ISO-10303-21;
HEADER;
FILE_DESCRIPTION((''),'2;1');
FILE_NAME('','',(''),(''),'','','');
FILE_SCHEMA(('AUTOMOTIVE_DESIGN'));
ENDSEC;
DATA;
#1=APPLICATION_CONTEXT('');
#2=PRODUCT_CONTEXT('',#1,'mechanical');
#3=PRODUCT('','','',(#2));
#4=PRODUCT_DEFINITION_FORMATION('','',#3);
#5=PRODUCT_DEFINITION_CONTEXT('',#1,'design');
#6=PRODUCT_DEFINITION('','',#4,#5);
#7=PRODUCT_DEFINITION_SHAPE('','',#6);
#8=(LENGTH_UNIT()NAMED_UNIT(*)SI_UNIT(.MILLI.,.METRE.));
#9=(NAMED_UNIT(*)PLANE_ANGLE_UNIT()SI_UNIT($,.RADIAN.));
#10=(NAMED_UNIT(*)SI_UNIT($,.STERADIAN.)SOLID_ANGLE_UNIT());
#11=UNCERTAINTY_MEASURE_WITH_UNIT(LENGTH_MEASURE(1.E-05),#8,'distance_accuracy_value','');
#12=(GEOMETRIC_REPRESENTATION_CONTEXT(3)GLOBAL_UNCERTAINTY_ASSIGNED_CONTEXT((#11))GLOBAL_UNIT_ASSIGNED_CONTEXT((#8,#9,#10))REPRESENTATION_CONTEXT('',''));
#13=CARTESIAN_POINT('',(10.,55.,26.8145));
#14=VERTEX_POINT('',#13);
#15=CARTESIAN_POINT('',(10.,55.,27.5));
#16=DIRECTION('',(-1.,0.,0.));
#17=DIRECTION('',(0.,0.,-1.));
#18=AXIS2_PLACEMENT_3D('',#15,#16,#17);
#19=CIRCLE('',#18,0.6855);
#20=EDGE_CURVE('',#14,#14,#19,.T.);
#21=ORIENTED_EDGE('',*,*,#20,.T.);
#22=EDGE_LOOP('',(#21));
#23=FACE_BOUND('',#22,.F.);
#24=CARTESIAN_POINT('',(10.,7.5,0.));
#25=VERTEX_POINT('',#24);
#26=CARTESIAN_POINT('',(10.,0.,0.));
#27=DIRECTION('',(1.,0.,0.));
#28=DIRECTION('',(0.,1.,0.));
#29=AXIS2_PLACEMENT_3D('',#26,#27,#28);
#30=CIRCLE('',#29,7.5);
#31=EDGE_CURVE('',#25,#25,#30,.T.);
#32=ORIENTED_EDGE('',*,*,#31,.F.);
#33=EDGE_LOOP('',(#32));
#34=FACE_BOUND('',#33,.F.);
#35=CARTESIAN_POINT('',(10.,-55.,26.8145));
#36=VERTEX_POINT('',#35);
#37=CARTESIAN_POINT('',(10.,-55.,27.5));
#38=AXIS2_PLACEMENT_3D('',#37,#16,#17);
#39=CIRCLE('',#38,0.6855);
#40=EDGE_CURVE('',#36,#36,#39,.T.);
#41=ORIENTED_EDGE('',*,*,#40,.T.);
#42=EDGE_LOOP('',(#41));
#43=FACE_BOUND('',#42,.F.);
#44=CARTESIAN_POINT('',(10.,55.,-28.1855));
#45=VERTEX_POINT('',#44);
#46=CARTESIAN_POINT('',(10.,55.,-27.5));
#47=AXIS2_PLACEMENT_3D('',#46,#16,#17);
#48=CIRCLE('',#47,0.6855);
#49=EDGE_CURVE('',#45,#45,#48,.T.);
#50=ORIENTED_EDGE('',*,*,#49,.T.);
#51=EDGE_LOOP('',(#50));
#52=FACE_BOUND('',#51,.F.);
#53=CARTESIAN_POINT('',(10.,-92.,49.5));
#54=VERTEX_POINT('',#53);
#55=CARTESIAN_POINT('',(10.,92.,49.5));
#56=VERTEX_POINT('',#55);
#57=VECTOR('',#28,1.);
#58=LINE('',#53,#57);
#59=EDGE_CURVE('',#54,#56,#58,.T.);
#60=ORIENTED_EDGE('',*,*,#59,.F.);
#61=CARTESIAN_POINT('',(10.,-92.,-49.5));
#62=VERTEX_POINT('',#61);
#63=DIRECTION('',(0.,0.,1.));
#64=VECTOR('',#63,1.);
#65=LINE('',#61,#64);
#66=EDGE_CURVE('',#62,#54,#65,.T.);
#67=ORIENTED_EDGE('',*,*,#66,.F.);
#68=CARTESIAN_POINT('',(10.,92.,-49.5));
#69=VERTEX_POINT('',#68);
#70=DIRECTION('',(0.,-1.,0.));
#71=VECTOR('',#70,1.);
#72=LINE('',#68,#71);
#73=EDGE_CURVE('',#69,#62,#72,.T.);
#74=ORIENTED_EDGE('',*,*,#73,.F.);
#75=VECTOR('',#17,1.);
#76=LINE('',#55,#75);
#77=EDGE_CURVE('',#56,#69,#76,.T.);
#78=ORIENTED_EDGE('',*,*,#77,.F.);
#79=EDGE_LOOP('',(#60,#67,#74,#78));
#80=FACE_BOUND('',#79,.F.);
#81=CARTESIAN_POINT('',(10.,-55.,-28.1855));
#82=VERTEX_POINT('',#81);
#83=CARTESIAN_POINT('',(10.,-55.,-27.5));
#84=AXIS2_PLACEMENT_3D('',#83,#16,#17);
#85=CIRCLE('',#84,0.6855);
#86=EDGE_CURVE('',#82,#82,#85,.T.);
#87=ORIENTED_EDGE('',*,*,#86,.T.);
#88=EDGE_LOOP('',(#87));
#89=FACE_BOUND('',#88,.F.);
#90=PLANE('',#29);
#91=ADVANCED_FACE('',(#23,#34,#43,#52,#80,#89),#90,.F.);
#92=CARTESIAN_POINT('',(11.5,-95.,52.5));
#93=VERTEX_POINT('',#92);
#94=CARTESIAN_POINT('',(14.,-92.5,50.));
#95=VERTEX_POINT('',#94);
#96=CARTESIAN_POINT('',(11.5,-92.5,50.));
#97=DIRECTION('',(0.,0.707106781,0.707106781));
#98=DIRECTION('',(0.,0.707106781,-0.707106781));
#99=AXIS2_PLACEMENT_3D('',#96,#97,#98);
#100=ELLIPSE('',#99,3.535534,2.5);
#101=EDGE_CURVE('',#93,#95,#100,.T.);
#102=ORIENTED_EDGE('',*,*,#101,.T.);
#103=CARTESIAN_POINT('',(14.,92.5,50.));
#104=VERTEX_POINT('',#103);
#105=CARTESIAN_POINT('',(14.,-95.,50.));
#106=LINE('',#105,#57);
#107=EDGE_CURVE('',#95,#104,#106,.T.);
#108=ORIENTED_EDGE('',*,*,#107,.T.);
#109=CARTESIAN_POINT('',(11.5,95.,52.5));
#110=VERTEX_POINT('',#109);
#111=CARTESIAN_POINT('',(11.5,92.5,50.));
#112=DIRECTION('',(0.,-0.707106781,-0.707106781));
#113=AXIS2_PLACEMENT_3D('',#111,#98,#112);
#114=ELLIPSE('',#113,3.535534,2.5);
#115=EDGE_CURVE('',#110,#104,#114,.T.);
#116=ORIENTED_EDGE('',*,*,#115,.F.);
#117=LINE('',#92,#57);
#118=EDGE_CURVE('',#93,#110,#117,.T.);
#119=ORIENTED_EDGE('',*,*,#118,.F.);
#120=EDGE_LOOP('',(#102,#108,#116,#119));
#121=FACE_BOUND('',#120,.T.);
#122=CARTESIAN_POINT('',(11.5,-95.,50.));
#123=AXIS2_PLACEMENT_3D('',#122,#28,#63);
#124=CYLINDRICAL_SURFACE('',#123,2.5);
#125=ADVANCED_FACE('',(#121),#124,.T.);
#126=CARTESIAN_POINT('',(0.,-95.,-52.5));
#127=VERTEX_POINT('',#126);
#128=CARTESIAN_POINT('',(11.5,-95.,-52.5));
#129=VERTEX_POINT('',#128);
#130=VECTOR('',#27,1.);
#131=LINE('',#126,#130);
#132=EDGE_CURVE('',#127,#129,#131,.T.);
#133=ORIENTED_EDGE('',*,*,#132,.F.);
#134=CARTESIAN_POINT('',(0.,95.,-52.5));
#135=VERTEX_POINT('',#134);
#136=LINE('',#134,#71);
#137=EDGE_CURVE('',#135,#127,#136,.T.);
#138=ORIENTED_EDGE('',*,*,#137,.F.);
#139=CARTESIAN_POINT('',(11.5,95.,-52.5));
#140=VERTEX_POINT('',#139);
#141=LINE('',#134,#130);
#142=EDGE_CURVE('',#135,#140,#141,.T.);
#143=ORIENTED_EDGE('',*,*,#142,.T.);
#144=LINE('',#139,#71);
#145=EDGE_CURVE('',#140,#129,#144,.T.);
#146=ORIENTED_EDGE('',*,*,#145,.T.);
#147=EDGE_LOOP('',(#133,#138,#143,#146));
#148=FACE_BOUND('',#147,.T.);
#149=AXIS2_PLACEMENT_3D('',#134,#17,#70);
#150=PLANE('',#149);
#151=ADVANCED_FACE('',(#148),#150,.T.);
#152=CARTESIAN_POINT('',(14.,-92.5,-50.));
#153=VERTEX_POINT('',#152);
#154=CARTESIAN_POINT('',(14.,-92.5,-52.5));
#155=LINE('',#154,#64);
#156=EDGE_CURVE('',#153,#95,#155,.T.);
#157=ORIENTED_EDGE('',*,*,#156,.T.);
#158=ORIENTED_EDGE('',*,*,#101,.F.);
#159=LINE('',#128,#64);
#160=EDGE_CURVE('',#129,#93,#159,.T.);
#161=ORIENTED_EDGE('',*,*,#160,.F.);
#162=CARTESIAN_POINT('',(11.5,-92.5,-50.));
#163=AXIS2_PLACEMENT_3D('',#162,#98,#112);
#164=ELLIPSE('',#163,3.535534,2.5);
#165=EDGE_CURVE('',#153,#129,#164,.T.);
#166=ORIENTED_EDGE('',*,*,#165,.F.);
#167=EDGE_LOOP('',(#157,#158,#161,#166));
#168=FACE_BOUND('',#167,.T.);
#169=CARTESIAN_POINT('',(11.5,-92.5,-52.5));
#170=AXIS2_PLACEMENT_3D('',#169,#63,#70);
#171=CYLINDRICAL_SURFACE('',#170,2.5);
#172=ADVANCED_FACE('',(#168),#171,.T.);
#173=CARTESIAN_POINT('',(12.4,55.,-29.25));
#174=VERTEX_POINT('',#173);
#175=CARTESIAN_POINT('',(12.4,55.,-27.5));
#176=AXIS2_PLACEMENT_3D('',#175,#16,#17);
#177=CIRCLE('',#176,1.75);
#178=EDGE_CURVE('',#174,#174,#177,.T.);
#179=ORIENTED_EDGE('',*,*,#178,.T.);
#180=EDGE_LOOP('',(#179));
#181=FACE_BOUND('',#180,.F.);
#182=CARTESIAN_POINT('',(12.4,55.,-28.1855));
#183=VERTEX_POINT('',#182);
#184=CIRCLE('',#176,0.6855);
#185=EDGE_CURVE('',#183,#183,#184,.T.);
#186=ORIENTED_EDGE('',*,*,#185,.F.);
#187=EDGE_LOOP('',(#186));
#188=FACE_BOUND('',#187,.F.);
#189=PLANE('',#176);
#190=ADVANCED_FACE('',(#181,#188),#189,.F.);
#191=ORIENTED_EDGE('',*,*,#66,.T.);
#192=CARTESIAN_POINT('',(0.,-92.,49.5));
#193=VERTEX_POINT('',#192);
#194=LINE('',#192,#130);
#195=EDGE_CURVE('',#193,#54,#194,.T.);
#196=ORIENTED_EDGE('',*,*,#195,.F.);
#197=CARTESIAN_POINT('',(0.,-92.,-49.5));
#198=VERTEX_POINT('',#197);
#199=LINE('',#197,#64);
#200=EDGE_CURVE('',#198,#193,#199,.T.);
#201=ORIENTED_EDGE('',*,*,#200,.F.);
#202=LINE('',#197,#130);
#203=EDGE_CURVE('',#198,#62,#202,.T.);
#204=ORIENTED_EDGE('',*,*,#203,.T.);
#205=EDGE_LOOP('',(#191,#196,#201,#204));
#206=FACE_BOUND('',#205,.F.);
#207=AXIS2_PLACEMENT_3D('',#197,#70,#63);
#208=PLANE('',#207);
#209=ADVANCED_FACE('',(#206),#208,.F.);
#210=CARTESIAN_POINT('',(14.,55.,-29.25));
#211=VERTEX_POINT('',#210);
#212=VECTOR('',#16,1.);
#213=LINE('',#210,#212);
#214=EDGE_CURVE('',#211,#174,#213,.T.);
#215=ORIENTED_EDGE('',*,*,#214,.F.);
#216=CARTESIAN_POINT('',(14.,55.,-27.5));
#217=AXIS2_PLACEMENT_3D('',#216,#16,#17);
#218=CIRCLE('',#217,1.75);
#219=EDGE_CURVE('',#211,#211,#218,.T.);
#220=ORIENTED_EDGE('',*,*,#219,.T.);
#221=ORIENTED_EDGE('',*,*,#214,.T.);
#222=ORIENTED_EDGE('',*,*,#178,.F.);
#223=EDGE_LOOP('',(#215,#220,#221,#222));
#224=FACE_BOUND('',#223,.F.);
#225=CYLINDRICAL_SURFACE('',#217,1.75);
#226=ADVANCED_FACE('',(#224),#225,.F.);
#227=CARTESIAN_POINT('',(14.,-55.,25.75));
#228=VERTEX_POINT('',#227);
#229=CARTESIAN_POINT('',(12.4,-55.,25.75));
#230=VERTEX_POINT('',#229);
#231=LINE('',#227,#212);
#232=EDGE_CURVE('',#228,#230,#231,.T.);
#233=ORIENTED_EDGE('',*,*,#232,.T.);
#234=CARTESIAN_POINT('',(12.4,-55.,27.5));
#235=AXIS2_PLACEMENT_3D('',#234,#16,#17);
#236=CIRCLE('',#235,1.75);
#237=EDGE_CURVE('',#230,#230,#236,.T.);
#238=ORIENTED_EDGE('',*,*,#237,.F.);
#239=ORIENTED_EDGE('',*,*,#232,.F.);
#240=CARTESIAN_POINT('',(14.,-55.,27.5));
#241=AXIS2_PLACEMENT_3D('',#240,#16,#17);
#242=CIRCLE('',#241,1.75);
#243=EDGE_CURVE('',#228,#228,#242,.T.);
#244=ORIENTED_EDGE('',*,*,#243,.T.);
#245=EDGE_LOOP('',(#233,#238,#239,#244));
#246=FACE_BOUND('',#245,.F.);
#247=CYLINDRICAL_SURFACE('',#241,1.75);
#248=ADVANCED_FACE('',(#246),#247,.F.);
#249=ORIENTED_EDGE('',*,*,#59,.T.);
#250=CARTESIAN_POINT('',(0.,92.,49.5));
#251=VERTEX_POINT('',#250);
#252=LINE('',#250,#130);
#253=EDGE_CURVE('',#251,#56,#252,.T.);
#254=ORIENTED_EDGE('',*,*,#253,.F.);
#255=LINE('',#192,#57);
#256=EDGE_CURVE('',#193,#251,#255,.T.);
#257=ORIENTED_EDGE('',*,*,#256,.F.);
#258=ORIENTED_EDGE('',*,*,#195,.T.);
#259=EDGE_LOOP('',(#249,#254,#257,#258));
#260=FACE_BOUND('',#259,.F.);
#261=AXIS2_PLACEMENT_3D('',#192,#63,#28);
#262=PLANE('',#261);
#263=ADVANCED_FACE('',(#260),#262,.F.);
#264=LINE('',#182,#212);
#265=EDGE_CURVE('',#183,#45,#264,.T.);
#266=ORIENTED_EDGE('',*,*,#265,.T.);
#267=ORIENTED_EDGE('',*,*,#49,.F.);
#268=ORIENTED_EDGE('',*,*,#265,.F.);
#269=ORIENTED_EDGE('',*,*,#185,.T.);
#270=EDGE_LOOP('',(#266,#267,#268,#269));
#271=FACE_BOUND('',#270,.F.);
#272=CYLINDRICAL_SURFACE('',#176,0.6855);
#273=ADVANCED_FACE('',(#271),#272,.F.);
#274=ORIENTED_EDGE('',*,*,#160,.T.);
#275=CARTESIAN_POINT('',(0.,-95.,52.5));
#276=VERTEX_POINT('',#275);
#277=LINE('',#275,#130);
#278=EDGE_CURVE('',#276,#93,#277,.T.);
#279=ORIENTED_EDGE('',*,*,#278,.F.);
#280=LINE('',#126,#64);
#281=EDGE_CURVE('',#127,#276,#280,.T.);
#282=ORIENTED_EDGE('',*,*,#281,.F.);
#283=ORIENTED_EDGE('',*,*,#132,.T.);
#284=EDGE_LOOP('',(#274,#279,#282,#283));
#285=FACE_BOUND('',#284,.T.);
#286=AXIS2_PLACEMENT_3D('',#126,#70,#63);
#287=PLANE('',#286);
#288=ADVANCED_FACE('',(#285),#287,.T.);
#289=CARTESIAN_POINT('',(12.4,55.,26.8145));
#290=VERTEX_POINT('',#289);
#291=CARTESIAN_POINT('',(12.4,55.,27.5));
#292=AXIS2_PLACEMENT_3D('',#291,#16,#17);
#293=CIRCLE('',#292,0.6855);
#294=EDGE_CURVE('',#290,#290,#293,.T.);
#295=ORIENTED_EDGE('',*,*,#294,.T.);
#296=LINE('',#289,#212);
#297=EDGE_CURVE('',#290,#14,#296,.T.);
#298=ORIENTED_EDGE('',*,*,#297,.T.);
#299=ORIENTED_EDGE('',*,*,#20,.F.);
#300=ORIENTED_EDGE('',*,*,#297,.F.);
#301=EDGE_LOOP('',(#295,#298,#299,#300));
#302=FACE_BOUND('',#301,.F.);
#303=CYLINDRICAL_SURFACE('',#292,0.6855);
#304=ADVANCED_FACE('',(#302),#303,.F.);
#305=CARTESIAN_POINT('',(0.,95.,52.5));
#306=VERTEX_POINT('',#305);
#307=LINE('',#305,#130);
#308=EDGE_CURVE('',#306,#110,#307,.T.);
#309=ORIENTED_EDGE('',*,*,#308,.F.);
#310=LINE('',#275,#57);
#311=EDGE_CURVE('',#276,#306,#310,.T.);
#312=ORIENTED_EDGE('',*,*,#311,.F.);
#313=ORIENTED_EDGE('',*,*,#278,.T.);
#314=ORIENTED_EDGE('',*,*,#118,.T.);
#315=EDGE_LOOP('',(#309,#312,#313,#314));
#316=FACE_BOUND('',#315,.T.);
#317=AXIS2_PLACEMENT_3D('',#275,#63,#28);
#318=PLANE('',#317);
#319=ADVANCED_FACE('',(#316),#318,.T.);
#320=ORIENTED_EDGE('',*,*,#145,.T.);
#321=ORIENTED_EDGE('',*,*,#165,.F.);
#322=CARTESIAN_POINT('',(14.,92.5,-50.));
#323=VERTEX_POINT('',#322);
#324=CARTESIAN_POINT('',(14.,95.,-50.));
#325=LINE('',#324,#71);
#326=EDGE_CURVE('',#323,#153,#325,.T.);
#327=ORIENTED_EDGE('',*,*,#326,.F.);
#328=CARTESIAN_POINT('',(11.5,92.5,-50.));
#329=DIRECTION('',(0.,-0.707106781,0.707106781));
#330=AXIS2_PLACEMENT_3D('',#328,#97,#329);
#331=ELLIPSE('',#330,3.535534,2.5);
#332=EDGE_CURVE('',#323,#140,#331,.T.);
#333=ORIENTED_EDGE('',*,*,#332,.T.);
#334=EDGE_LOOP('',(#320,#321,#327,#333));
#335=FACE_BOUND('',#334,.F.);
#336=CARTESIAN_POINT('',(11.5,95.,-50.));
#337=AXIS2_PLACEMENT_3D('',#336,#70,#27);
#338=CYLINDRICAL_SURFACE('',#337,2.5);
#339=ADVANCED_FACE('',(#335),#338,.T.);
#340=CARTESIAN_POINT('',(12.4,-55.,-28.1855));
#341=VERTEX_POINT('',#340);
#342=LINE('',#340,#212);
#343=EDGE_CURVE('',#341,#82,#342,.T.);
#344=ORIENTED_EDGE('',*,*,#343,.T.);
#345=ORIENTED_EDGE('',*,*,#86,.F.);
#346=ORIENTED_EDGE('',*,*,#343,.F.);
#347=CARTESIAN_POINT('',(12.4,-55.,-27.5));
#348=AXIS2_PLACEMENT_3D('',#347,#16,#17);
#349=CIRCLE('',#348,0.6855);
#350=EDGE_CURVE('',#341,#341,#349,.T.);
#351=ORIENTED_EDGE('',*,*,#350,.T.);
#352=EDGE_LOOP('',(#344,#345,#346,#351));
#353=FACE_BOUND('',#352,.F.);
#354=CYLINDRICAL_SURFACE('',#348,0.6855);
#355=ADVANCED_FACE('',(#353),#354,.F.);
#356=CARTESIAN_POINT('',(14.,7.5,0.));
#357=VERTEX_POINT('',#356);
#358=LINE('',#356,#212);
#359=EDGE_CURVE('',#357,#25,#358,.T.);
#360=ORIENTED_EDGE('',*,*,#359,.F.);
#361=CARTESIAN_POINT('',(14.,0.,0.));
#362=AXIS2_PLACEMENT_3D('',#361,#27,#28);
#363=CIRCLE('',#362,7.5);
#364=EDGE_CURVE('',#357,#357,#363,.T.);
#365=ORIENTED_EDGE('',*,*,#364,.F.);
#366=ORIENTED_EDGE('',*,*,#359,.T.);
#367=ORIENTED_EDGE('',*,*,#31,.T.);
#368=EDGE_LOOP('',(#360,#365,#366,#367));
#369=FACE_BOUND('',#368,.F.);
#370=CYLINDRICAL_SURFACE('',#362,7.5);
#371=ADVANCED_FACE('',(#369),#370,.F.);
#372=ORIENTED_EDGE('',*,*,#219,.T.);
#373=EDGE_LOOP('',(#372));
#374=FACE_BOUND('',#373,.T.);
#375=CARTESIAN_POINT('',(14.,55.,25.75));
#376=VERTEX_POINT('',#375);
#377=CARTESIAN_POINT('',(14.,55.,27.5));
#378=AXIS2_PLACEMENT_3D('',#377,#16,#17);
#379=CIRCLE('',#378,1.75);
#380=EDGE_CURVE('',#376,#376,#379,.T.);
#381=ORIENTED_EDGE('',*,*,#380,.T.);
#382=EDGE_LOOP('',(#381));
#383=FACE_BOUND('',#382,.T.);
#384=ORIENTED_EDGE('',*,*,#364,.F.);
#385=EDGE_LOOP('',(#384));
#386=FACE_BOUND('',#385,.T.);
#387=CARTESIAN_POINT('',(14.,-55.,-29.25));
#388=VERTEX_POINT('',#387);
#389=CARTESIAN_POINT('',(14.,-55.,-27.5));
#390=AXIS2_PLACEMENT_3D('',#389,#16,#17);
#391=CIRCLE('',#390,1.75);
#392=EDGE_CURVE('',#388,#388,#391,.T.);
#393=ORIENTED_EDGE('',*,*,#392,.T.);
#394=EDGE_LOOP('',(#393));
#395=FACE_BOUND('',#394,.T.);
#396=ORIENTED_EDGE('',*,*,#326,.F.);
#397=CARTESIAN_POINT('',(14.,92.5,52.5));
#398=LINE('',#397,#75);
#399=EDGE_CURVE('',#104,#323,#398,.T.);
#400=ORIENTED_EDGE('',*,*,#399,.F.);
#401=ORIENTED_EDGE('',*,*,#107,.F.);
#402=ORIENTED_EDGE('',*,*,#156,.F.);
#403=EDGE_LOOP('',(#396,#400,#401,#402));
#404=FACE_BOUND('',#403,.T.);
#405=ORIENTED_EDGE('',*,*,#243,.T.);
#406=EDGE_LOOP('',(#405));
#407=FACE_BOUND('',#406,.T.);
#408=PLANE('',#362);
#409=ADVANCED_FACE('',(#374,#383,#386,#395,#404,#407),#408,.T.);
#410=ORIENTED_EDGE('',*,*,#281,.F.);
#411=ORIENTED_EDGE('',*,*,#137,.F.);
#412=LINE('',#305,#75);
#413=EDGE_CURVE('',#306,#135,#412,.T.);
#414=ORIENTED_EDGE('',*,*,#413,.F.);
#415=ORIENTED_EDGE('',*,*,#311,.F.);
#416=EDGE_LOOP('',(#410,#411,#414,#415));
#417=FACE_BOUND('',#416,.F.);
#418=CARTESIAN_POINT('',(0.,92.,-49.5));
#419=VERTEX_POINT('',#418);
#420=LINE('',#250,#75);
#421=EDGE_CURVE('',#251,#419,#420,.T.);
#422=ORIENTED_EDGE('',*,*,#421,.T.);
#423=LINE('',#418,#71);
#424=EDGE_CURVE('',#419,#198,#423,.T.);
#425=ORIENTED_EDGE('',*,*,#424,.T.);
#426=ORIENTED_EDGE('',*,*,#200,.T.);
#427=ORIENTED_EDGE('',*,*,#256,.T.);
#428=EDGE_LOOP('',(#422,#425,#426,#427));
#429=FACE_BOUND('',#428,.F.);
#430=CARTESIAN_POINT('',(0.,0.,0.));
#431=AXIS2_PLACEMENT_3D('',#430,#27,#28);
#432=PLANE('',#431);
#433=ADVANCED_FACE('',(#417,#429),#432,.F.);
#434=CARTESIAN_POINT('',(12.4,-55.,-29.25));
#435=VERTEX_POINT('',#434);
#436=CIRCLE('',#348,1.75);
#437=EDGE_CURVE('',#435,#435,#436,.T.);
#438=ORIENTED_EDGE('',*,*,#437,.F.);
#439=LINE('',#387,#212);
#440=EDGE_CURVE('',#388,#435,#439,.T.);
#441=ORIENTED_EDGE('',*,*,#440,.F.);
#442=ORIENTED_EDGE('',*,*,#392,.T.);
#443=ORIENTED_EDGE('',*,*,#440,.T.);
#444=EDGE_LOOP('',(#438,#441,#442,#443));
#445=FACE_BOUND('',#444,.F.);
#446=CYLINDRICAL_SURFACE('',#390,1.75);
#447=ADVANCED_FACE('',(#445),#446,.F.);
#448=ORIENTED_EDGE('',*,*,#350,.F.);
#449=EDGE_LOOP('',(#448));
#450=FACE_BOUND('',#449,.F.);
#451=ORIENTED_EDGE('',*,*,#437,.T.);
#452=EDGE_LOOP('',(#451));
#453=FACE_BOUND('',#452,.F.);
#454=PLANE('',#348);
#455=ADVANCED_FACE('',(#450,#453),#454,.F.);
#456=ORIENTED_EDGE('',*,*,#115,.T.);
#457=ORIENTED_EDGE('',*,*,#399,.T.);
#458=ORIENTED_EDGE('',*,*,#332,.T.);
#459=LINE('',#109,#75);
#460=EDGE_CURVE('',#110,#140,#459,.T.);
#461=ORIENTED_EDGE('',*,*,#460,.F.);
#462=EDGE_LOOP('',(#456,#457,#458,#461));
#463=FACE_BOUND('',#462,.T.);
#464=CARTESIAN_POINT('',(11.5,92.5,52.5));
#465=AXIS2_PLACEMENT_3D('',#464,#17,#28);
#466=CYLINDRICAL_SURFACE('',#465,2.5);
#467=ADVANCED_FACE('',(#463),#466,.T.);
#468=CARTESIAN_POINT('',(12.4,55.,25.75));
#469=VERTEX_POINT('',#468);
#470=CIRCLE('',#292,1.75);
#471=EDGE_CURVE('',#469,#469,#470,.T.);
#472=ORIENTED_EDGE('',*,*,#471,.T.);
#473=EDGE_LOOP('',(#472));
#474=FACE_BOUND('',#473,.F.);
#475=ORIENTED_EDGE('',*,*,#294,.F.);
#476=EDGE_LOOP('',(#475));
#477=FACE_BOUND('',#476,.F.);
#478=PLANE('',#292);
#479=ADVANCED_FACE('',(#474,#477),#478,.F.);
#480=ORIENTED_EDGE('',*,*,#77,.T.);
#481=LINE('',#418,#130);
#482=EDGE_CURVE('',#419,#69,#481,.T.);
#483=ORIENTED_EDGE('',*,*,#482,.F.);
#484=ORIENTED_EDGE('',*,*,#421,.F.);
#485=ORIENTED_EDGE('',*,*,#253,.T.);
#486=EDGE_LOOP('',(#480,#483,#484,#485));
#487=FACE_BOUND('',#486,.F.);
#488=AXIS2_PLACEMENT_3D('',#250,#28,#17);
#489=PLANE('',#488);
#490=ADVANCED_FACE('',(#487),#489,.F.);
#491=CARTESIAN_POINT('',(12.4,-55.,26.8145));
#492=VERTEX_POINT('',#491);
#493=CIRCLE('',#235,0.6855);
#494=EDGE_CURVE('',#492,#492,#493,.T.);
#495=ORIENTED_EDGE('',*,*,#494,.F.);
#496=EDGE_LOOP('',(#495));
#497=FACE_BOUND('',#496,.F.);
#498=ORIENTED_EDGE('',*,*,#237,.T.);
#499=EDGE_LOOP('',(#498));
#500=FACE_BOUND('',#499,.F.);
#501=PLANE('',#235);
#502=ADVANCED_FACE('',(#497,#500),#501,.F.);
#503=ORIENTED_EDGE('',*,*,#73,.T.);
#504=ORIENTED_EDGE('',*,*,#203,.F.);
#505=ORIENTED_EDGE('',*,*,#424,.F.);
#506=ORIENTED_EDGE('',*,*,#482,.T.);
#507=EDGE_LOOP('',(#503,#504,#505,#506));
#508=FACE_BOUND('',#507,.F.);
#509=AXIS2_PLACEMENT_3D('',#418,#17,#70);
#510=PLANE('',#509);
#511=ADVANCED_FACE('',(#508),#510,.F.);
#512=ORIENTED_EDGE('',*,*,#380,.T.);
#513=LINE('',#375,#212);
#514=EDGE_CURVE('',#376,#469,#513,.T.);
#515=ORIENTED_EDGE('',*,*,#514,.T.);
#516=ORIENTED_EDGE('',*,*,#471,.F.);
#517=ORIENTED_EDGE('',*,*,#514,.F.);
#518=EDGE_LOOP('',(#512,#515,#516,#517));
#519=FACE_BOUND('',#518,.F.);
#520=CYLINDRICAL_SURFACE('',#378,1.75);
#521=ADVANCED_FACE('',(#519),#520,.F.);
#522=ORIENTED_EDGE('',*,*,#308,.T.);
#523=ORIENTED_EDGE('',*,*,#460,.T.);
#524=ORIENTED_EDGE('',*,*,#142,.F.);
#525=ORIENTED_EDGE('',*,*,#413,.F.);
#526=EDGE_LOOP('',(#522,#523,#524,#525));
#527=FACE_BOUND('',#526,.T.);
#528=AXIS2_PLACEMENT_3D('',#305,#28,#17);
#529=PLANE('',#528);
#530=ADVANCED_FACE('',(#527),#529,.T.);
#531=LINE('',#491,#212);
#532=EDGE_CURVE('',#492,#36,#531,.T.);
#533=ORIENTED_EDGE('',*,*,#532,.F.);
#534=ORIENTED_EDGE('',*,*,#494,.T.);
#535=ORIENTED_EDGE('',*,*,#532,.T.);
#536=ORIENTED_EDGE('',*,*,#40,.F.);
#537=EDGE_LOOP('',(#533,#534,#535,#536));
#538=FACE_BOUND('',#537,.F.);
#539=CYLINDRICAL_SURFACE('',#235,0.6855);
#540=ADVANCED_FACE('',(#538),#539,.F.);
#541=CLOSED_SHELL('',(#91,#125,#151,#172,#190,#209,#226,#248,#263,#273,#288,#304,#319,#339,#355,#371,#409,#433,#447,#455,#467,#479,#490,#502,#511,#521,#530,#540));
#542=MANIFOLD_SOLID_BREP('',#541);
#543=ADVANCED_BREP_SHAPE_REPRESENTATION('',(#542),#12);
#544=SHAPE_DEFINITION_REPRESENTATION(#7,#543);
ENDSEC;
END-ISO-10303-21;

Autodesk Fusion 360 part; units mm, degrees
sketch "Sketch1" plane through (0, 0, 0) normal (1, 0, 0) x (0, 1, 0)
  line L0 (-95, 52.5) -> (95, 52.5)
  line L1 (95, 52.5) -> (95, -52.5)
  line L2 (95, -52.5) -> (-95, -52.5)
  line L3 (-95, -52.5) -> (-95, 52.5)
  line L4 (95, 52.5) -> (-95, -52.5) construction
  line L5 (-95, 52.5) -> (95, -52.5) construction
  line L6 (92, -49.5) -> (-92, -49.5)
  line L7 (-92, -49.5) -> (-92, 49.5)
  line L8 (-92, 49.5) -> (92, 49.5)
  line L9 (92, 49.5) -> (92, -49.5)
  dimension "d1" = 190
  dimension "d2" = 105
  dimension "d5" = 3
extrude "Extrude1" add sketch "Sketch1" along normal blind 14 contours L0 L1 L2 L3 | L6 L7 L8 L9
extrude "Extrude2" cut sketch "Sketch1" along normal blind 10 contours L6 L7 L8 L9
fillet "Fillet1" radius 2.5 4 edges at (14, 0, -52.5) (14, 95, 0) (14, 0, 52.5) (14, -95, 0)
sketch "Sketch2" plane through (14, 0, 0) normal (1, 0, 0) x (0, 1, 0)
  line L0 (92.5, 50) -> (-92.5, 50)
  line L1 (-92.5, 50) -> (-92.5, -50)
  line L2 (-92.5, -50) -> (92.5, -50)
  line L3 (92.5, -50) -> (92.5, 50)
  circle A0 centre (0, 0) radius 7.5
  dimension "d10" = 15
extrude "Extrude3" cut sketch "Sketch2" against normal blind 40 contours A0
sketch "Sketch3" plane through (14, 0, 0) normal (1, 0, 0) x (0, 1, 0)
  circle A0 centre (0, 0) radius 7.5
  line L0 (92.5, 50) -> (-92.5, 50)
  line L1 (-92.5, 50) -> (-92.5, -50)
  line L2 (-92.5, -50) -> (92.5, -50)
  line L3 (92.5, -50) -> (92.5, 50)
  line L4 (-55, 27.5) -> (55, 27.5)
  line L5 (55, 27.5) -> (55, -27.5)
  line L6 (55, -27.5) -> (-55, -27.5)
  line L7 (-55, -27.5) -> (-55, 27.5)
  line L8 (55, 27.5) -> (-55, -27.5) construction
  line L9 (-55, 27.5) -> (55, -27.5) construction
  dimension "d13" = 110
  dimension "d14" = 55
hole "Hole1" at (14, 55, 27.5) at (14, -55, 27.5) at (14, -55, -27.5) at (14, 55, -27.5) direction (-1, 0, 0) diameter 1.371 depth 10 tip angle 118 counterbore diameter 3.5 counterbore depth 1.6
